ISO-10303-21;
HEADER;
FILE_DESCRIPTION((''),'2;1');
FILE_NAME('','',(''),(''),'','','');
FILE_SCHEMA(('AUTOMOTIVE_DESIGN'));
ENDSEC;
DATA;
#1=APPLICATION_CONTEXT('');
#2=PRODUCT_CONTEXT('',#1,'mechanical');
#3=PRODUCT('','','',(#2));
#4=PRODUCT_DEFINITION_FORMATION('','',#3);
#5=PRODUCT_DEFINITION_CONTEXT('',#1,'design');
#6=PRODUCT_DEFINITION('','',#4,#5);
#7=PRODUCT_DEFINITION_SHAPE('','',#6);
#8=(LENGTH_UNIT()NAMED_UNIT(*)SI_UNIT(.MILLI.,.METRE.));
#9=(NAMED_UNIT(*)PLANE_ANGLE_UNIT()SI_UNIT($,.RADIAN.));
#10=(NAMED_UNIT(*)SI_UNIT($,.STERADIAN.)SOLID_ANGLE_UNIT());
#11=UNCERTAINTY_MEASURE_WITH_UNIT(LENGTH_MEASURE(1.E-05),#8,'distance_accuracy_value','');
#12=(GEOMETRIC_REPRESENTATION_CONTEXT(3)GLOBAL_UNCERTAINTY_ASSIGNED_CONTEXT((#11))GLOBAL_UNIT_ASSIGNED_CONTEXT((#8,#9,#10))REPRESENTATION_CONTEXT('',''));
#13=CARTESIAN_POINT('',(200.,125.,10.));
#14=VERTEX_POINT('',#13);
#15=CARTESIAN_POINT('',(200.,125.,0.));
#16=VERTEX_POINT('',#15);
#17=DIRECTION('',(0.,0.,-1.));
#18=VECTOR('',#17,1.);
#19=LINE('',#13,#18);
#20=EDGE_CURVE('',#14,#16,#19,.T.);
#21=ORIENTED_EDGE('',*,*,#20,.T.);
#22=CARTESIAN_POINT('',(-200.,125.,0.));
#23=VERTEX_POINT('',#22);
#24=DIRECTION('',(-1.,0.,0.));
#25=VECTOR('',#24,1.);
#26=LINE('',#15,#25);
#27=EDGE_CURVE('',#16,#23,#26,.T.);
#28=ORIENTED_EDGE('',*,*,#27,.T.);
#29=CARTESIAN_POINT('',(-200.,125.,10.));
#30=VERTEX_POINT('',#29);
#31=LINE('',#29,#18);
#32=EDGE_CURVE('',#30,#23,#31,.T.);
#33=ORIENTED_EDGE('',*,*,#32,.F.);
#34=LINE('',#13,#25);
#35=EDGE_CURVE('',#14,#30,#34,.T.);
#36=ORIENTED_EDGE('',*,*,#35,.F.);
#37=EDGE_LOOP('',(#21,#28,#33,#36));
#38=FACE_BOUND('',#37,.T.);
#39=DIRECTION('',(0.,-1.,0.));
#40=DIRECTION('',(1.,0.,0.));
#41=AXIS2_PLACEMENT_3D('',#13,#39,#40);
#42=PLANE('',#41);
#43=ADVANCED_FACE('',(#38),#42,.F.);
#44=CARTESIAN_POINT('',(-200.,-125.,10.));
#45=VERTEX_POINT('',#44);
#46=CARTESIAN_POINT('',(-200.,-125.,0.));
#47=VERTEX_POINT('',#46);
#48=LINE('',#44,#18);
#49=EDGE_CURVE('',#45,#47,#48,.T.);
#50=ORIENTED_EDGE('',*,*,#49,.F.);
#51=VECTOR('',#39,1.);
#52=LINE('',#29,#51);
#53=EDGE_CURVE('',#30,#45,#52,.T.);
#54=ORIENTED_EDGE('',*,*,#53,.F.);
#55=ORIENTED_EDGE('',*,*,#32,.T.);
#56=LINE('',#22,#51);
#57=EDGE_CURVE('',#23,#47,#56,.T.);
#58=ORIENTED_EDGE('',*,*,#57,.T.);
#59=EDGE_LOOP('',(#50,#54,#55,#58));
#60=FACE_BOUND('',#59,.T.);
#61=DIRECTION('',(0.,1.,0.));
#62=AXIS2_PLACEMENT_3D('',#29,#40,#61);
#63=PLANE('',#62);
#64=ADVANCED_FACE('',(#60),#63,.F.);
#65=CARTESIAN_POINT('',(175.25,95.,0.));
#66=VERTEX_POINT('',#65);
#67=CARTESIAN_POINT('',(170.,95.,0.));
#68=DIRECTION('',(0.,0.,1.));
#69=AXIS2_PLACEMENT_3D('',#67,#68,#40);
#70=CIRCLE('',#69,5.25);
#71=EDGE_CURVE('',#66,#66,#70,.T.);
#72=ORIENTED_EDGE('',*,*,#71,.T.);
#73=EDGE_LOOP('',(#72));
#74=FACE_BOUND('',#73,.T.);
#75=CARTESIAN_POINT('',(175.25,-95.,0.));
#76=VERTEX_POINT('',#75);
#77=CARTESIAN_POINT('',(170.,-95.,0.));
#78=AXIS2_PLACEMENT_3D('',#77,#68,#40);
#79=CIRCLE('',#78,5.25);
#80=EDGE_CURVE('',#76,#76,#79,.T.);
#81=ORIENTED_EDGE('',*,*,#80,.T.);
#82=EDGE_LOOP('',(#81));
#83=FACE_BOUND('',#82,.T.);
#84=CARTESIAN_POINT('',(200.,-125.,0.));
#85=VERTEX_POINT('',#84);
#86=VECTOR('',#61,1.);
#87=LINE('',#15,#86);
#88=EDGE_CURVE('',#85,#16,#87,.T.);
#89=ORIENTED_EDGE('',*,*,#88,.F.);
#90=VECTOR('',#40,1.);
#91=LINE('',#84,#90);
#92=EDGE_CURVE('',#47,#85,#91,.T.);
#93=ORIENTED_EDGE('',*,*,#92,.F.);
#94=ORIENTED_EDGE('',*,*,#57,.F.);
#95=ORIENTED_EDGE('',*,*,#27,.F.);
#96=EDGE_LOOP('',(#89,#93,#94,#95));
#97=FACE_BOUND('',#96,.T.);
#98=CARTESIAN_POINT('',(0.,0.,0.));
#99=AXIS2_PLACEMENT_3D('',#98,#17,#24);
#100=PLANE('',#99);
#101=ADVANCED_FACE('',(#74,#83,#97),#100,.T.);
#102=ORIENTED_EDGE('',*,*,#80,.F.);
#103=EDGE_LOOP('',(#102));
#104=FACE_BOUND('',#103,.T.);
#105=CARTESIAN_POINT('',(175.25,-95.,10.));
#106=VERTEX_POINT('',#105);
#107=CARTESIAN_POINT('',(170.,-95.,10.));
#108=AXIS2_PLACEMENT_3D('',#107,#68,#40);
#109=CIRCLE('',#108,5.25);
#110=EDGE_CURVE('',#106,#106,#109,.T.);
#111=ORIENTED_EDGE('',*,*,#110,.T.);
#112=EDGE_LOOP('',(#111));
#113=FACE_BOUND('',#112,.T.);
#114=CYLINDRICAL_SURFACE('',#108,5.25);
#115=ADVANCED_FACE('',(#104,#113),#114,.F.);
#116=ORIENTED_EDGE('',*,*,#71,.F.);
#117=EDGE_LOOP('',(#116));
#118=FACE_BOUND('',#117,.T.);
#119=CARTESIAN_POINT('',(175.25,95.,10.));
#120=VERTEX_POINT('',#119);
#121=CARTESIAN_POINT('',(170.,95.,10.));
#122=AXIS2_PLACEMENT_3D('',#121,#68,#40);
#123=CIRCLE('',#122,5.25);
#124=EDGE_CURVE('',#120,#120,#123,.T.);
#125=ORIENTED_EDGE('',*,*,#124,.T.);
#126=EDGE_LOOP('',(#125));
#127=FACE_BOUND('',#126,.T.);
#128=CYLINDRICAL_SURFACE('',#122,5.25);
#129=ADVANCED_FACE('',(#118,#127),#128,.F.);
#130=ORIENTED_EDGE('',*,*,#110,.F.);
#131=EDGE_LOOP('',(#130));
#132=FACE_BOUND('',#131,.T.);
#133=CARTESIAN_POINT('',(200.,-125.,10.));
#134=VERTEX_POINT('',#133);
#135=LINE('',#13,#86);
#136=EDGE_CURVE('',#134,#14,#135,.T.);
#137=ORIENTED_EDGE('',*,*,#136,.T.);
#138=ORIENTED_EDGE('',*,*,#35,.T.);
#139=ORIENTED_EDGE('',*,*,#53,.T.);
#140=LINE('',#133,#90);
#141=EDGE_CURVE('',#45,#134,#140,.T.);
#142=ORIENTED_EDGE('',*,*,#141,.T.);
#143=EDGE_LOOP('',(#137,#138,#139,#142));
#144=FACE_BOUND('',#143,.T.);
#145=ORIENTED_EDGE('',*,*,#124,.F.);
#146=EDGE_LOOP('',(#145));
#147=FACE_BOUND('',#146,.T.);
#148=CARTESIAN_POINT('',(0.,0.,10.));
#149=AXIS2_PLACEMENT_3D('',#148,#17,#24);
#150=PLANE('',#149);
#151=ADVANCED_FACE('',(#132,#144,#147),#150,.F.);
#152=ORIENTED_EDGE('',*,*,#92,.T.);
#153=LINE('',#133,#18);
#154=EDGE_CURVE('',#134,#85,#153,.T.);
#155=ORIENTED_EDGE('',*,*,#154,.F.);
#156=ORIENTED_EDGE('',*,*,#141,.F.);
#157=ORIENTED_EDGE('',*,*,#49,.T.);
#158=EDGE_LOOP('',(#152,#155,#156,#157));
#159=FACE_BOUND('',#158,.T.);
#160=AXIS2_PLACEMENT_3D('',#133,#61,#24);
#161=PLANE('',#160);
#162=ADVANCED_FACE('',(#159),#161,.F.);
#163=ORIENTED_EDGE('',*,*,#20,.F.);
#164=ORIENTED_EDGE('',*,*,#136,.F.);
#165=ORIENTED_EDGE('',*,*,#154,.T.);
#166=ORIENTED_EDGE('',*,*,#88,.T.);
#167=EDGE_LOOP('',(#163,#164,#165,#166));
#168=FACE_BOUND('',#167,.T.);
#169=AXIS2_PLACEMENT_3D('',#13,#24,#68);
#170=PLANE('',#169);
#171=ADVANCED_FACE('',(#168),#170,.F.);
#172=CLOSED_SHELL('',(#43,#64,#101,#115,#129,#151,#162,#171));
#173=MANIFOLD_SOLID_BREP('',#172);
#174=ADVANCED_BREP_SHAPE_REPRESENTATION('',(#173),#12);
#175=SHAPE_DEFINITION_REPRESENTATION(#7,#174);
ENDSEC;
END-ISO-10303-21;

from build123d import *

# Parameters (mm, degrees)
SKIZZE1_W                          = 400
SKIZZE1_H                          = 250
AUFSATZ_LINEAR_AUSTRAGEN1_DEPTH    = 10
F_10_5_10_5_DURCHMESSER_BOHRUNG1_D = 10.5


with BuildPart() as part:
    # Skizze1 → Aufsatz-Linear austragen1 (new body)
    with BuildSketch(Plane.XY):
        Rectangle(SKIZZE1_W, SKIZZE1_H)
    extrude(amount=AUFSATZ_LINEAR_AUSTRAGEN1_DEPTH)

    # Ø10.5 (10.5) Durchmesser Bohrung1 (through all)
    with Locations(Plane.XY.offset(10)):
        with Locations((170, 95), (170, -95)):
            Hole(F_10_5_10_5_DURCHMESSER_BOHRUNG1_D / 2)


solid = part.part
